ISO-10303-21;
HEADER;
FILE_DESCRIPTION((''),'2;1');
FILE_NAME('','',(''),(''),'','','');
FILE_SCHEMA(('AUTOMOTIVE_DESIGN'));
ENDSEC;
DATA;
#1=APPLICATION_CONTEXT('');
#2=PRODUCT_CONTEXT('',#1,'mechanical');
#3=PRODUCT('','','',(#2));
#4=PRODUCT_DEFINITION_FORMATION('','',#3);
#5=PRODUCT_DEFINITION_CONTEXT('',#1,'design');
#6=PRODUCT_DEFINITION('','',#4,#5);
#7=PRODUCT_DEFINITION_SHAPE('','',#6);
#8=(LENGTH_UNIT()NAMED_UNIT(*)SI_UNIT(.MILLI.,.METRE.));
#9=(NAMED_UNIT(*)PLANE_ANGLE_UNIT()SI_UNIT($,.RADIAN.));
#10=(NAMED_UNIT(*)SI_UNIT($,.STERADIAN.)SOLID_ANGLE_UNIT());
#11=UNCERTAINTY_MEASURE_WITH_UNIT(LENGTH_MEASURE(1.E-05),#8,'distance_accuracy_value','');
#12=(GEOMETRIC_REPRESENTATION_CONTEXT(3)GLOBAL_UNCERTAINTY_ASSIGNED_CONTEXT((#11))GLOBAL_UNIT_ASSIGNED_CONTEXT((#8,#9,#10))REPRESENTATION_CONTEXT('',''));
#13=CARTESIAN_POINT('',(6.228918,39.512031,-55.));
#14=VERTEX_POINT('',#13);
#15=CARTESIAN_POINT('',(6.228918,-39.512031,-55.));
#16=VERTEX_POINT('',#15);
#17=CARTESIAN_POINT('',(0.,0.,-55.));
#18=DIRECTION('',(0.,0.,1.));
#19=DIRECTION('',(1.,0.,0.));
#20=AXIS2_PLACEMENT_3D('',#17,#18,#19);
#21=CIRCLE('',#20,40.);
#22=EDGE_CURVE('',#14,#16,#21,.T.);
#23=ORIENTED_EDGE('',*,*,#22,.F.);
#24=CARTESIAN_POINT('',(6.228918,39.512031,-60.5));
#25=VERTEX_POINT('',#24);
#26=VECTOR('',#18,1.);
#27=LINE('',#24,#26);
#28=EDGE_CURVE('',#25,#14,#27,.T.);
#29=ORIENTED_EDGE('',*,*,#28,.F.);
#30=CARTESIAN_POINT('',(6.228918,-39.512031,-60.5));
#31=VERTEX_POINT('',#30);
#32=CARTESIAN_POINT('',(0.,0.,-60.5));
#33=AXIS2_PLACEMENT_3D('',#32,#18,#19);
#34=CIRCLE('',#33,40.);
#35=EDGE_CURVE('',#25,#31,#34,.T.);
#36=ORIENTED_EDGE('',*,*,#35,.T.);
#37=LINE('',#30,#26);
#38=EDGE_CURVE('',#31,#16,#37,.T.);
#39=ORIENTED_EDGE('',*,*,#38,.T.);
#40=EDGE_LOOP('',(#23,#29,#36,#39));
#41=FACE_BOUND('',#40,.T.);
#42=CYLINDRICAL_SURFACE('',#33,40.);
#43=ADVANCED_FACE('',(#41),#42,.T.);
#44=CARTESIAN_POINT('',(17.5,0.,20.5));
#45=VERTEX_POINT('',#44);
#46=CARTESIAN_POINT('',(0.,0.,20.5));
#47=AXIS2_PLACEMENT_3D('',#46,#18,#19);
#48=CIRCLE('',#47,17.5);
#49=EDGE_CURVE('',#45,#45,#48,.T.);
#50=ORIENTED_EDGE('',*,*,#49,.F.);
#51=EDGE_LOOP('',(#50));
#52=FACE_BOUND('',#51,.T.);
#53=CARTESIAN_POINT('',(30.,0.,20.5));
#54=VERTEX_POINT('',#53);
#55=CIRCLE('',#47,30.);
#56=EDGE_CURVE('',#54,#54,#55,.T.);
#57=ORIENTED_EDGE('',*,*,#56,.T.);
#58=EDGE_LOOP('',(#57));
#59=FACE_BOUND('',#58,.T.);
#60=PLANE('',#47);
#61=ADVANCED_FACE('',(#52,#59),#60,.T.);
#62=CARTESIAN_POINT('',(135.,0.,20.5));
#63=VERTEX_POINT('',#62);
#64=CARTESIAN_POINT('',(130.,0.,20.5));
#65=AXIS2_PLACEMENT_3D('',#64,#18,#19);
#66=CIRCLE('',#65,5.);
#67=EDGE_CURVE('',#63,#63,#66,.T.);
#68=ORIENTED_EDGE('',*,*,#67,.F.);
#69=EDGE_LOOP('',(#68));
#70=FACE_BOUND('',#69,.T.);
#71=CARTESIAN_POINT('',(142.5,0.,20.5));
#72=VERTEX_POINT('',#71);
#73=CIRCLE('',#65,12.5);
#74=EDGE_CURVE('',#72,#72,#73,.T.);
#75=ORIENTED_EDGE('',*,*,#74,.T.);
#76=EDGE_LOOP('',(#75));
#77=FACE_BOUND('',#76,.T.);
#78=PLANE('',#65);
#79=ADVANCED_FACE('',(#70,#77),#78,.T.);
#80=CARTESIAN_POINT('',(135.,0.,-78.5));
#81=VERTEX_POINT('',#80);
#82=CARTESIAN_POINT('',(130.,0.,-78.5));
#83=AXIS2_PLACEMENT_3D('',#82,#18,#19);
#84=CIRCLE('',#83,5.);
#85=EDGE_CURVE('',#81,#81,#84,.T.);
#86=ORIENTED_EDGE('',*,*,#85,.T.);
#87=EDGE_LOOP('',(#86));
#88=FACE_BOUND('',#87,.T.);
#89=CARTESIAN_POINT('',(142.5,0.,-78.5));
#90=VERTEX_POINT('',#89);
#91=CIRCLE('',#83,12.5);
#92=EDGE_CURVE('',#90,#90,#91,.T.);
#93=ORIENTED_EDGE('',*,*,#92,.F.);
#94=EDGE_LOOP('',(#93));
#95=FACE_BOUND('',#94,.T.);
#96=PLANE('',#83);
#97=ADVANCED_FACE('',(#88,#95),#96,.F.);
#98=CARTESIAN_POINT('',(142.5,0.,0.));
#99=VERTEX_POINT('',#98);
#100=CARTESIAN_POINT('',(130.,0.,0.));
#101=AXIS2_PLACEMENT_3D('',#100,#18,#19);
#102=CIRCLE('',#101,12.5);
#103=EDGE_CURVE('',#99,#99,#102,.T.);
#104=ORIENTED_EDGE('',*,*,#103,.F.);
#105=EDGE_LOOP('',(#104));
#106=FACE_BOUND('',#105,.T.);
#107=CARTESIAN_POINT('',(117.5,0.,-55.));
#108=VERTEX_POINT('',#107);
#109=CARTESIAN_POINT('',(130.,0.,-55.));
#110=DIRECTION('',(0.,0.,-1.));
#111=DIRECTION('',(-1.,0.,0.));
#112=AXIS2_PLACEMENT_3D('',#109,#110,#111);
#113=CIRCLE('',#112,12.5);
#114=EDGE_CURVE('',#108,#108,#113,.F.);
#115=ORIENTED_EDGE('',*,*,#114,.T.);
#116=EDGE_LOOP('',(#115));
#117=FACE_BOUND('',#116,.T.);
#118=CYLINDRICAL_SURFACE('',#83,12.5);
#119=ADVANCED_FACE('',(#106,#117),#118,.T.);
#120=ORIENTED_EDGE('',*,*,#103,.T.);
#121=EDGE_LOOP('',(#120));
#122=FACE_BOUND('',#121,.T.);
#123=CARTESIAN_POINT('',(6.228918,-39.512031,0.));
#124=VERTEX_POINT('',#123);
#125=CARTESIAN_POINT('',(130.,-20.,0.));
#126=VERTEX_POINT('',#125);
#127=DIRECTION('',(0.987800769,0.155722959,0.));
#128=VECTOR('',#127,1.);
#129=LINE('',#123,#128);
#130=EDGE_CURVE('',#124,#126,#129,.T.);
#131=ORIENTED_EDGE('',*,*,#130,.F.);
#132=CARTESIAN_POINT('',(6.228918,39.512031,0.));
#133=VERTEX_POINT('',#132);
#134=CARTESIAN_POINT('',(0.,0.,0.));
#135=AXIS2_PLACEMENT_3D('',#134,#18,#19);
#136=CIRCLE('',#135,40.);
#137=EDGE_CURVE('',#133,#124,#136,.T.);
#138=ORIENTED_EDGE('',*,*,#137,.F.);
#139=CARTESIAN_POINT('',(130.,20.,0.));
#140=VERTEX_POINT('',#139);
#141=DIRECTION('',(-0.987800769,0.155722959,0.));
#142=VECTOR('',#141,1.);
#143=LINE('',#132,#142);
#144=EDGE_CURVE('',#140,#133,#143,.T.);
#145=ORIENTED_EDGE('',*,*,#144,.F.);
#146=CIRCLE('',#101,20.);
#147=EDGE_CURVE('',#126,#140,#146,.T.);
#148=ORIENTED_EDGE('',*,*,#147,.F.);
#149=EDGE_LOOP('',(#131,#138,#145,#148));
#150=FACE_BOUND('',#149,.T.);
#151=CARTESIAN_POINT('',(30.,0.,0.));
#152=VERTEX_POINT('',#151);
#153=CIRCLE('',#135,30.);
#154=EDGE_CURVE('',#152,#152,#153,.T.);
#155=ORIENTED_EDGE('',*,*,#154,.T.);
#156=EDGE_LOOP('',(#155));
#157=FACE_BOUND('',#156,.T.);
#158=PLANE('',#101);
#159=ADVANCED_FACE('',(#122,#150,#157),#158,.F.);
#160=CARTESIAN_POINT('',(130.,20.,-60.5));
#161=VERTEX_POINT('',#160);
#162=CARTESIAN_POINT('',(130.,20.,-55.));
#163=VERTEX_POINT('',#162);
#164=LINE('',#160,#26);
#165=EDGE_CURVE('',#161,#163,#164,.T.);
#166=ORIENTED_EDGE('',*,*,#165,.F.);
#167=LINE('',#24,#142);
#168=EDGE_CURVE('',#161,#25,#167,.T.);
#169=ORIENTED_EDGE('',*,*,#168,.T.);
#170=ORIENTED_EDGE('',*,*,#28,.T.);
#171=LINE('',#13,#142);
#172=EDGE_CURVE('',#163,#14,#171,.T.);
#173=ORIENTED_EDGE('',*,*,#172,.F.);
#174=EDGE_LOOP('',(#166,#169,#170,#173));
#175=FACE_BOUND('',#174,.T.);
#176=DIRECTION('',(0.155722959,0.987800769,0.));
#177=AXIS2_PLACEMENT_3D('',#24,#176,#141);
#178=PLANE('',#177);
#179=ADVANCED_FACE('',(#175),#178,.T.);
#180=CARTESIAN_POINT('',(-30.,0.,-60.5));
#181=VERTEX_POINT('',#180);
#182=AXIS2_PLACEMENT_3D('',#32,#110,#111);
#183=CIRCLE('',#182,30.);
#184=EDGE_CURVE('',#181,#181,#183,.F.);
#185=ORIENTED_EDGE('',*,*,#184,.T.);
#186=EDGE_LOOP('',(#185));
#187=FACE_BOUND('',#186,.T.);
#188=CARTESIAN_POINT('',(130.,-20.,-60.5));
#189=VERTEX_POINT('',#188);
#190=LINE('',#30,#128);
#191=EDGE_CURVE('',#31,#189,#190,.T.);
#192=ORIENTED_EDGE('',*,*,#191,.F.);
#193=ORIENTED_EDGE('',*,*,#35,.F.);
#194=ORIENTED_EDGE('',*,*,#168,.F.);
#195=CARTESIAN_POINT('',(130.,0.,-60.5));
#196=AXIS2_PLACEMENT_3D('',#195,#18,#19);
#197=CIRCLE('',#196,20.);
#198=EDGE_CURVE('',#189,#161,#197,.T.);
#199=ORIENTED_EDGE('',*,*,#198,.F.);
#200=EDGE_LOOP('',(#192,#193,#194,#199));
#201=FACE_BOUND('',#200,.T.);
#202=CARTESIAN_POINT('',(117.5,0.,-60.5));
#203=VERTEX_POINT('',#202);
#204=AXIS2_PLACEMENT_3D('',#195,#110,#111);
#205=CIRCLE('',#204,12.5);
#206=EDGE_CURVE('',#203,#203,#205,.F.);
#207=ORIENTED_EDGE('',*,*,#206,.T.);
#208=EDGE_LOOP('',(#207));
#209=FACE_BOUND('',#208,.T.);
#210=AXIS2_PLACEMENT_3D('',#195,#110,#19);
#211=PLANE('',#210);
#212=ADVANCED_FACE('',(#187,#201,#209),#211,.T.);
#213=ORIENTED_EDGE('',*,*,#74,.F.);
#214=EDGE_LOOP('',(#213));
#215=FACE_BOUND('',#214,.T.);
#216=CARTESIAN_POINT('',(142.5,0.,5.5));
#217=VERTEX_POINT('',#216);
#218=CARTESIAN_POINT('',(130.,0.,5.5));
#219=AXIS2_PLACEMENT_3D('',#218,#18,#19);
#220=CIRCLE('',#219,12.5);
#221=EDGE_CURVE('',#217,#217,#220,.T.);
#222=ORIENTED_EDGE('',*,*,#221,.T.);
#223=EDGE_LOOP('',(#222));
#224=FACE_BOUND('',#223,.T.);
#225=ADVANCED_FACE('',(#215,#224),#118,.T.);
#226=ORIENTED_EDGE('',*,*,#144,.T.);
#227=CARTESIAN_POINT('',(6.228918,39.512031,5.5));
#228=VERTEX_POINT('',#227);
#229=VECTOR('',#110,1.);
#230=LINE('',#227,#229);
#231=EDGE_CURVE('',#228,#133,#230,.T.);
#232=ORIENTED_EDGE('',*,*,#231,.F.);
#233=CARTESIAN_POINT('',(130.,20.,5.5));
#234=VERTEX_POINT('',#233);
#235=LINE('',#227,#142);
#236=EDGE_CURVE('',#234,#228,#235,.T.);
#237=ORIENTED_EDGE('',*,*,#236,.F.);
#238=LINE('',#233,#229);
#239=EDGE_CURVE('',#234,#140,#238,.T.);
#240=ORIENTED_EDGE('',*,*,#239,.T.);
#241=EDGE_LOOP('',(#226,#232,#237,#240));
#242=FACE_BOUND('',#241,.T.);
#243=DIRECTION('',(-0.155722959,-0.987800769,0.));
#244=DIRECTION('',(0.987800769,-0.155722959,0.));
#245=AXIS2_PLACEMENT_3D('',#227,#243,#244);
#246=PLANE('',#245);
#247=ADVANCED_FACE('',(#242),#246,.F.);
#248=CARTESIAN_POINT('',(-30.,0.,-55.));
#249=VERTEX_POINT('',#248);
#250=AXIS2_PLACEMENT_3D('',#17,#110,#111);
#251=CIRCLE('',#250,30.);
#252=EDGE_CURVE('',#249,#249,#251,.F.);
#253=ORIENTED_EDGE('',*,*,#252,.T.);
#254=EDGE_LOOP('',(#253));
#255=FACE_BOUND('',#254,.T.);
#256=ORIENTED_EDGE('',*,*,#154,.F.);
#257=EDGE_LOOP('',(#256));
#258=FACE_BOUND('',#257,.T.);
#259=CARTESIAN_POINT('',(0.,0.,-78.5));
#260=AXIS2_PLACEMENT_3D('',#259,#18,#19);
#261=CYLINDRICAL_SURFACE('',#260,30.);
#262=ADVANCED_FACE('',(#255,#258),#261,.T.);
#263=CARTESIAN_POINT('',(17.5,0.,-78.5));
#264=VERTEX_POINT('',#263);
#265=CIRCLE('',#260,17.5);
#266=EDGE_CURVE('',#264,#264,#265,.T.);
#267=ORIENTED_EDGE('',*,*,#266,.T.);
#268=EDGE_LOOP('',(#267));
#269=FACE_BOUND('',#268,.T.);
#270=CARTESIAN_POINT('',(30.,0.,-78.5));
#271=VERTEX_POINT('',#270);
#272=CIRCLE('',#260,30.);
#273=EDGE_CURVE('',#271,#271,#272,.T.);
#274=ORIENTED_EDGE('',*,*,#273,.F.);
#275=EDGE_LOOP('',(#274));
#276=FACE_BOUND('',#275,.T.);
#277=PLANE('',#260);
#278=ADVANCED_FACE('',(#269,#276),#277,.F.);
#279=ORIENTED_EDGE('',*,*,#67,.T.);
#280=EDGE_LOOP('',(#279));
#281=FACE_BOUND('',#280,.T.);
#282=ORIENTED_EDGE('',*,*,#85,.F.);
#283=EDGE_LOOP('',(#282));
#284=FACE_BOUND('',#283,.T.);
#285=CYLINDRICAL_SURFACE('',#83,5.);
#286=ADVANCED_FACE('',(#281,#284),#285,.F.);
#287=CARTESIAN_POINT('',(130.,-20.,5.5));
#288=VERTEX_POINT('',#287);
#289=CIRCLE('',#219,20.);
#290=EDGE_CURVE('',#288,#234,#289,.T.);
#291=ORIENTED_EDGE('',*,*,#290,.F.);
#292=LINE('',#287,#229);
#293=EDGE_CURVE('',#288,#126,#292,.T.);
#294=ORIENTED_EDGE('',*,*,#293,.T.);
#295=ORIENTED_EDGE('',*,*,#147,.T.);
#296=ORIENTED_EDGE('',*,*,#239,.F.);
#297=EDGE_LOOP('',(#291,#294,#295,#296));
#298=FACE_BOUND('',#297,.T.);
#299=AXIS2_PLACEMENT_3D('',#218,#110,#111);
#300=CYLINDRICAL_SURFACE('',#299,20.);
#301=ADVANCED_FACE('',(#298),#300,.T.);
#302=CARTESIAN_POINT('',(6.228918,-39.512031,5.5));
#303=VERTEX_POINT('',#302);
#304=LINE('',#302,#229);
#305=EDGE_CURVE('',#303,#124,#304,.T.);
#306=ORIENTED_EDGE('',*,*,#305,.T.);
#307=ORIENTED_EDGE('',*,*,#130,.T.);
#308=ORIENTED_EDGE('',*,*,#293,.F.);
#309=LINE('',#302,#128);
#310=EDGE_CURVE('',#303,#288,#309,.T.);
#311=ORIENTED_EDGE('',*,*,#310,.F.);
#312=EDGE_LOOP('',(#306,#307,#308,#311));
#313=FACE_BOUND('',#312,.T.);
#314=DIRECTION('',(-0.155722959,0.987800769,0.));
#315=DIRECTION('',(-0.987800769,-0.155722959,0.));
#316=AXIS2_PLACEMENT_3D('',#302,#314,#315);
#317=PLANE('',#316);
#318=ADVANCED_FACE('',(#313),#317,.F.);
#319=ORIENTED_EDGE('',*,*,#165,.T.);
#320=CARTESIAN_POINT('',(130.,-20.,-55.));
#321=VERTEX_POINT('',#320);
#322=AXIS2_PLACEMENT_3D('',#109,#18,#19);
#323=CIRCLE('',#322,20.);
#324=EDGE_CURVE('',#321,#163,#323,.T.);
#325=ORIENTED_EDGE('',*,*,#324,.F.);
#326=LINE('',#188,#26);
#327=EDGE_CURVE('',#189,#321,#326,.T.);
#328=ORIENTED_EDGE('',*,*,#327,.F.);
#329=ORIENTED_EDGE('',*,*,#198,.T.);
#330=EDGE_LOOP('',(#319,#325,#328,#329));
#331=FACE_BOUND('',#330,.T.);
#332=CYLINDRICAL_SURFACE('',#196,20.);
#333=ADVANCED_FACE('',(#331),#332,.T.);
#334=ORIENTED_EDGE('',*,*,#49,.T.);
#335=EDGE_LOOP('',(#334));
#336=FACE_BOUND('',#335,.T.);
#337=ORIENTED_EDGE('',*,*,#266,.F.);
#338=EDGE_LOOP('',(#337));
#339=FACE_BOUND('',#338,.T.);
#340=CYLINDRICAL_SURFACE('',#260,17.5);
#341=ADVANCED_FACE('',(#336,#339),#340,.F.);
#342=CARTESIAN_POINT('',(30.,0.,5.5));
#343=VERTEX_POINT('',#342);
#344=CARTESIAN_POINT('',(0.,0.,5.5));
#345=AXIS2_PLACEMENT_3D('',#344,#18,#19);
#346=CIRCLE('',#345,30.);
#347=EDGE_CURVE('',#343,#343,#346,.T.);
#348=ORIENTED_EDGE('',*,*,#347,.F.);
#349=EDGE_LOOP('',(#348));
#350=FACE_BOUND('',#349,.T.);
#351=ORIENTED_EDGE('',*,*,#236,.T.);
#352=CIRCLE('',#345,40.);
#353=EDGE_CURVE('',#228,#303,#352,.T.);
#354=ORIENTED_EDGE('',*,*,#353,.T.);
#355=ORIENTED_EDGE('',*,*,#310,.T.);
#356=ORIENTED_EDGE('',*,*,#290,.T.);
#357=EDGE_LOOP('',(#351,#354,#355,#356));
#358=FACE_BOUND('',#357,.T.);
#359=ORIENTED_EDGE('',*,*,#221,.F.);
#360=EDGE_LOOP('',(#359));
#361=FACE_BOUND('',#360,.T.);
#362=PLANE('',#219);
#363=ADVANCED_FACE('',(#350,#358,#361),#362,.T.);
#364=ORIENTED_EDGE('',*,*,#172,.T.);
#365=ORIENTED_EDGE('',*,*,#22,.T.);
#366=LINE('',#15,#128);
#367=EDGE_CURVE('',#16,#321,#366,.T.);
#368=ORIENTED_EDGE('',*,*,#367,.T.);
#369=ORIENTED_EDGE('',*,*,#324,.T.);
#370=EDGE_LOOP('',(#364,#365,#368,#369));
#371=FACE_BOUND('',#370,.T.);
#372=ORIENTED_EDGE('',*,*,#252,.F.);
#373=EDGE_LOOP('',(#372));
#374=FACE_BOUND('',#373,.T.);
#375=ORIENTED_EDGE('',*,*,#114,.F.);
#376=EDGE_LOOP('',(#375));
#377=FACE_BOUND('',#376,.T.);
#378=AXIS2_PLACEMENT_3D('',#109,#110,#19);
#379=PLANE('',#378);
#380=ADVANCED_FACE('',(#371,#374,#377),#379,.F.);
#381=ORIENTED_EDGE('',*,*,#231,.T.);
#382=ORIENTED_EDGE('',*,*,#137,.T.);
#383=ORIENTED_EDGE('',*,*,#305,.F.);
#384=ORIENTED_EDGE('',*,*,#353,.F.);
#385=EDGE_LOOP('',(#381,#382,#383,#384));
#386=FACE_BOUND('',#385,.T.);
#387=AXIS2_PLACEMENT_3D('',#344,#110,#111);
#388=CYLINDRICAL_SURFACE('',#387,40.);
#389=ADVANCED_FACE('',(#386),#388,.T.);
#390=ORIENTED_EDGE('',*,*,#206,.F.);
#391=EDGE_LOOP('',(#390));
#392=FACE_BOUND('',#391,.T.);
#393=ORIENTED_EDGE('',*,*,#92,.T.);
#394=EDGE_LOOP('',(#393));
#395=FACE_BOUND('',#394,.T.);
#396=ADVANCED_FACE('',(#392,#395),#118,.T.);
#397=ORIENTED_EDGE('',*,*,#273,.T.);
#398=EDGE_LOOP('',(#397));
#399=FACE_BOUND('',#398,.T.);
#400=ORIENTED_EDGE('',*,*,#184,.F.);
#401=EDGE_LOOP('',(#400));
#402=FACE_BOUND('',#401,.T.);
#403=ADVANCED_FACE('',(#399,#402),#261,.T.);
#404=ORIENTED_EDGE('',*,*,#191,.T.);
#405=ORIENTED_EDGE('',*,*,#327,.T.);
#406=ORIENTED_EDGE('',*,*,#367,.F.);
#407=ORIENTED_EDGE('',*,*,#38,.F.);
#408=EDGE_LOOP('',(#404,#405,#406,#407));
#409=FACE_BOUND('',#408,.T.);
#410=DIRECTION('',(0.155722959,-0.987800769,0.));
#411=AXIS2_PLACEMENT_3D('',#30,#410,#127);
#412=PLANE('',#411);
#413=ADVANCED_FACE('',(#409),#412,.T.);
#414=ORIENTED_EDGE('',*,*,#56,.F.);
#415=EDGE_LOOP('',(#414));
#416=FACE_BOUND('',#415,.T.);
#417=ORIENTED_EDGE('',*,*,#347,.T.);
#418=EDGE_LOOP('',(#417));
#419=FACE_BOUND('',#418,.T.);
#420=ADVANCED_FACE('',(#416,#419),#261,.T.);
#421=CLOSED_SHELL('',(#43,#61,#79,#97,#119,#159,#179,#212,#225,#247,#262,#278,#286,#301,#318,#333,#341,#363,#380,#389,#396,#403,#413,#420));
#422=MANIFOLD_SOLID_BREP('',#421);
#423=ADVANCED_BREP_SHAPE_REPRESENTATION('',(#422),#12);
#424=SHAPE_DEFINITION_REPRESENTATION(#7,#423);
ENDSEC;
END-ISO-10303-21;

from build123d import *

# Parameters (mm, degrees)
BOSS_EXTRUDE1_DEPTH = 5.5
SKETCH2_R           = 30
SKETCH2_R_2         = 17.5
SKETCH2_R_3         = 12.5
SKETCH2_R_4         = 5
BOSS_EXTRUDE2_DEPTH = 99
SKETCH3_R           = 17.5
SKETCH3_R_2         = 5
CUT_EXTRUDE1_DEPTH  = 99
SKETCH4_R           = 5
CUT_EXTRUDE2_DEPTH  = 99
SKETCH5_R           = 17.5
CUT_EXTRUDE3_DEPTH  = 99


with BuildPart() as part:
    # Sketch1 → Boss-Extrude1 (new body)
    with BuildSketch(Plane.XY):
        with BuildLine():
            Line((6.228918342, 39.512030779), (130, 20))
            ThreePointArc((130, 20), (150, 0), (130, -20))
            Line((130, -20), (6.228918342, -39.512030779))
            ThreePointArc((6.228918342, -39.512030779), (-40, 0), (6.228918342, 39.512030779))
        make_face()
    boss_extrude1 = extrude(amount=BOSS_EXTRUDE1_DEPTH)

    # Sketch2 → Boss-Extrude2 (add)
    with BuildSketch(Plane.XY.offset(20.5)):
        Circle(SKETCH2_R)
        Circle(SKETCH2_R_2, mode=Mode.SUBTRACT)
        with Locations((130, 0)):
            Circle(SKETCH2_R_3)
        with Locations((130, 0)):
            Circle(SKETCH2_R_4, mode=Mode.SUBTRACT)
    extrude(amount=-BOSS_EXTRUDE2_DEPTH)

    # Sketch3 → Cut-Extrude1 (cut)
    with BuildSketch(Plane.XY.offset(5.5)):
        Circle(SKETCH3_R)
        with Locations((130, 0)):
            Circle(SKETCH3_R_2)
    extrude(amount=-CUT_EXTRUDE1_DEPTH, mode=Mode.SUBTRACT)

    # Mirror5: Boss-Extrude1 across plane
    add(boss_extrude1.mirror(Plane.XY.offset(-27.5)))

    # Sketch4 → Cut-Extrude2 (cut)
    with BuildSketch(Plane(origin=(0, 0, -60.5), x_dir=(-1, 0, 0), z_dir=(0, 0, -1))):
        with Locations((-130, 0)):
            Circle(SKETCH4_R)
    extrude(amount=-CUT_EXTRUDE2_DEPTH, mode=Mode.SUBTRACT)

    # Sketch5 → Cut-Extrude3 (cut)
    with BuildSketch(Plane(origin=(0, 0, -60.5), x_dir=(-1, 0, 0), z_dir=(0, 0, -1))):
        Circle(SKETCH5_R)
    extrude(amount=-CUT_EXTRUDE3_DEPTH, mode=Mode.SUBTRACT)


solid = part.part
